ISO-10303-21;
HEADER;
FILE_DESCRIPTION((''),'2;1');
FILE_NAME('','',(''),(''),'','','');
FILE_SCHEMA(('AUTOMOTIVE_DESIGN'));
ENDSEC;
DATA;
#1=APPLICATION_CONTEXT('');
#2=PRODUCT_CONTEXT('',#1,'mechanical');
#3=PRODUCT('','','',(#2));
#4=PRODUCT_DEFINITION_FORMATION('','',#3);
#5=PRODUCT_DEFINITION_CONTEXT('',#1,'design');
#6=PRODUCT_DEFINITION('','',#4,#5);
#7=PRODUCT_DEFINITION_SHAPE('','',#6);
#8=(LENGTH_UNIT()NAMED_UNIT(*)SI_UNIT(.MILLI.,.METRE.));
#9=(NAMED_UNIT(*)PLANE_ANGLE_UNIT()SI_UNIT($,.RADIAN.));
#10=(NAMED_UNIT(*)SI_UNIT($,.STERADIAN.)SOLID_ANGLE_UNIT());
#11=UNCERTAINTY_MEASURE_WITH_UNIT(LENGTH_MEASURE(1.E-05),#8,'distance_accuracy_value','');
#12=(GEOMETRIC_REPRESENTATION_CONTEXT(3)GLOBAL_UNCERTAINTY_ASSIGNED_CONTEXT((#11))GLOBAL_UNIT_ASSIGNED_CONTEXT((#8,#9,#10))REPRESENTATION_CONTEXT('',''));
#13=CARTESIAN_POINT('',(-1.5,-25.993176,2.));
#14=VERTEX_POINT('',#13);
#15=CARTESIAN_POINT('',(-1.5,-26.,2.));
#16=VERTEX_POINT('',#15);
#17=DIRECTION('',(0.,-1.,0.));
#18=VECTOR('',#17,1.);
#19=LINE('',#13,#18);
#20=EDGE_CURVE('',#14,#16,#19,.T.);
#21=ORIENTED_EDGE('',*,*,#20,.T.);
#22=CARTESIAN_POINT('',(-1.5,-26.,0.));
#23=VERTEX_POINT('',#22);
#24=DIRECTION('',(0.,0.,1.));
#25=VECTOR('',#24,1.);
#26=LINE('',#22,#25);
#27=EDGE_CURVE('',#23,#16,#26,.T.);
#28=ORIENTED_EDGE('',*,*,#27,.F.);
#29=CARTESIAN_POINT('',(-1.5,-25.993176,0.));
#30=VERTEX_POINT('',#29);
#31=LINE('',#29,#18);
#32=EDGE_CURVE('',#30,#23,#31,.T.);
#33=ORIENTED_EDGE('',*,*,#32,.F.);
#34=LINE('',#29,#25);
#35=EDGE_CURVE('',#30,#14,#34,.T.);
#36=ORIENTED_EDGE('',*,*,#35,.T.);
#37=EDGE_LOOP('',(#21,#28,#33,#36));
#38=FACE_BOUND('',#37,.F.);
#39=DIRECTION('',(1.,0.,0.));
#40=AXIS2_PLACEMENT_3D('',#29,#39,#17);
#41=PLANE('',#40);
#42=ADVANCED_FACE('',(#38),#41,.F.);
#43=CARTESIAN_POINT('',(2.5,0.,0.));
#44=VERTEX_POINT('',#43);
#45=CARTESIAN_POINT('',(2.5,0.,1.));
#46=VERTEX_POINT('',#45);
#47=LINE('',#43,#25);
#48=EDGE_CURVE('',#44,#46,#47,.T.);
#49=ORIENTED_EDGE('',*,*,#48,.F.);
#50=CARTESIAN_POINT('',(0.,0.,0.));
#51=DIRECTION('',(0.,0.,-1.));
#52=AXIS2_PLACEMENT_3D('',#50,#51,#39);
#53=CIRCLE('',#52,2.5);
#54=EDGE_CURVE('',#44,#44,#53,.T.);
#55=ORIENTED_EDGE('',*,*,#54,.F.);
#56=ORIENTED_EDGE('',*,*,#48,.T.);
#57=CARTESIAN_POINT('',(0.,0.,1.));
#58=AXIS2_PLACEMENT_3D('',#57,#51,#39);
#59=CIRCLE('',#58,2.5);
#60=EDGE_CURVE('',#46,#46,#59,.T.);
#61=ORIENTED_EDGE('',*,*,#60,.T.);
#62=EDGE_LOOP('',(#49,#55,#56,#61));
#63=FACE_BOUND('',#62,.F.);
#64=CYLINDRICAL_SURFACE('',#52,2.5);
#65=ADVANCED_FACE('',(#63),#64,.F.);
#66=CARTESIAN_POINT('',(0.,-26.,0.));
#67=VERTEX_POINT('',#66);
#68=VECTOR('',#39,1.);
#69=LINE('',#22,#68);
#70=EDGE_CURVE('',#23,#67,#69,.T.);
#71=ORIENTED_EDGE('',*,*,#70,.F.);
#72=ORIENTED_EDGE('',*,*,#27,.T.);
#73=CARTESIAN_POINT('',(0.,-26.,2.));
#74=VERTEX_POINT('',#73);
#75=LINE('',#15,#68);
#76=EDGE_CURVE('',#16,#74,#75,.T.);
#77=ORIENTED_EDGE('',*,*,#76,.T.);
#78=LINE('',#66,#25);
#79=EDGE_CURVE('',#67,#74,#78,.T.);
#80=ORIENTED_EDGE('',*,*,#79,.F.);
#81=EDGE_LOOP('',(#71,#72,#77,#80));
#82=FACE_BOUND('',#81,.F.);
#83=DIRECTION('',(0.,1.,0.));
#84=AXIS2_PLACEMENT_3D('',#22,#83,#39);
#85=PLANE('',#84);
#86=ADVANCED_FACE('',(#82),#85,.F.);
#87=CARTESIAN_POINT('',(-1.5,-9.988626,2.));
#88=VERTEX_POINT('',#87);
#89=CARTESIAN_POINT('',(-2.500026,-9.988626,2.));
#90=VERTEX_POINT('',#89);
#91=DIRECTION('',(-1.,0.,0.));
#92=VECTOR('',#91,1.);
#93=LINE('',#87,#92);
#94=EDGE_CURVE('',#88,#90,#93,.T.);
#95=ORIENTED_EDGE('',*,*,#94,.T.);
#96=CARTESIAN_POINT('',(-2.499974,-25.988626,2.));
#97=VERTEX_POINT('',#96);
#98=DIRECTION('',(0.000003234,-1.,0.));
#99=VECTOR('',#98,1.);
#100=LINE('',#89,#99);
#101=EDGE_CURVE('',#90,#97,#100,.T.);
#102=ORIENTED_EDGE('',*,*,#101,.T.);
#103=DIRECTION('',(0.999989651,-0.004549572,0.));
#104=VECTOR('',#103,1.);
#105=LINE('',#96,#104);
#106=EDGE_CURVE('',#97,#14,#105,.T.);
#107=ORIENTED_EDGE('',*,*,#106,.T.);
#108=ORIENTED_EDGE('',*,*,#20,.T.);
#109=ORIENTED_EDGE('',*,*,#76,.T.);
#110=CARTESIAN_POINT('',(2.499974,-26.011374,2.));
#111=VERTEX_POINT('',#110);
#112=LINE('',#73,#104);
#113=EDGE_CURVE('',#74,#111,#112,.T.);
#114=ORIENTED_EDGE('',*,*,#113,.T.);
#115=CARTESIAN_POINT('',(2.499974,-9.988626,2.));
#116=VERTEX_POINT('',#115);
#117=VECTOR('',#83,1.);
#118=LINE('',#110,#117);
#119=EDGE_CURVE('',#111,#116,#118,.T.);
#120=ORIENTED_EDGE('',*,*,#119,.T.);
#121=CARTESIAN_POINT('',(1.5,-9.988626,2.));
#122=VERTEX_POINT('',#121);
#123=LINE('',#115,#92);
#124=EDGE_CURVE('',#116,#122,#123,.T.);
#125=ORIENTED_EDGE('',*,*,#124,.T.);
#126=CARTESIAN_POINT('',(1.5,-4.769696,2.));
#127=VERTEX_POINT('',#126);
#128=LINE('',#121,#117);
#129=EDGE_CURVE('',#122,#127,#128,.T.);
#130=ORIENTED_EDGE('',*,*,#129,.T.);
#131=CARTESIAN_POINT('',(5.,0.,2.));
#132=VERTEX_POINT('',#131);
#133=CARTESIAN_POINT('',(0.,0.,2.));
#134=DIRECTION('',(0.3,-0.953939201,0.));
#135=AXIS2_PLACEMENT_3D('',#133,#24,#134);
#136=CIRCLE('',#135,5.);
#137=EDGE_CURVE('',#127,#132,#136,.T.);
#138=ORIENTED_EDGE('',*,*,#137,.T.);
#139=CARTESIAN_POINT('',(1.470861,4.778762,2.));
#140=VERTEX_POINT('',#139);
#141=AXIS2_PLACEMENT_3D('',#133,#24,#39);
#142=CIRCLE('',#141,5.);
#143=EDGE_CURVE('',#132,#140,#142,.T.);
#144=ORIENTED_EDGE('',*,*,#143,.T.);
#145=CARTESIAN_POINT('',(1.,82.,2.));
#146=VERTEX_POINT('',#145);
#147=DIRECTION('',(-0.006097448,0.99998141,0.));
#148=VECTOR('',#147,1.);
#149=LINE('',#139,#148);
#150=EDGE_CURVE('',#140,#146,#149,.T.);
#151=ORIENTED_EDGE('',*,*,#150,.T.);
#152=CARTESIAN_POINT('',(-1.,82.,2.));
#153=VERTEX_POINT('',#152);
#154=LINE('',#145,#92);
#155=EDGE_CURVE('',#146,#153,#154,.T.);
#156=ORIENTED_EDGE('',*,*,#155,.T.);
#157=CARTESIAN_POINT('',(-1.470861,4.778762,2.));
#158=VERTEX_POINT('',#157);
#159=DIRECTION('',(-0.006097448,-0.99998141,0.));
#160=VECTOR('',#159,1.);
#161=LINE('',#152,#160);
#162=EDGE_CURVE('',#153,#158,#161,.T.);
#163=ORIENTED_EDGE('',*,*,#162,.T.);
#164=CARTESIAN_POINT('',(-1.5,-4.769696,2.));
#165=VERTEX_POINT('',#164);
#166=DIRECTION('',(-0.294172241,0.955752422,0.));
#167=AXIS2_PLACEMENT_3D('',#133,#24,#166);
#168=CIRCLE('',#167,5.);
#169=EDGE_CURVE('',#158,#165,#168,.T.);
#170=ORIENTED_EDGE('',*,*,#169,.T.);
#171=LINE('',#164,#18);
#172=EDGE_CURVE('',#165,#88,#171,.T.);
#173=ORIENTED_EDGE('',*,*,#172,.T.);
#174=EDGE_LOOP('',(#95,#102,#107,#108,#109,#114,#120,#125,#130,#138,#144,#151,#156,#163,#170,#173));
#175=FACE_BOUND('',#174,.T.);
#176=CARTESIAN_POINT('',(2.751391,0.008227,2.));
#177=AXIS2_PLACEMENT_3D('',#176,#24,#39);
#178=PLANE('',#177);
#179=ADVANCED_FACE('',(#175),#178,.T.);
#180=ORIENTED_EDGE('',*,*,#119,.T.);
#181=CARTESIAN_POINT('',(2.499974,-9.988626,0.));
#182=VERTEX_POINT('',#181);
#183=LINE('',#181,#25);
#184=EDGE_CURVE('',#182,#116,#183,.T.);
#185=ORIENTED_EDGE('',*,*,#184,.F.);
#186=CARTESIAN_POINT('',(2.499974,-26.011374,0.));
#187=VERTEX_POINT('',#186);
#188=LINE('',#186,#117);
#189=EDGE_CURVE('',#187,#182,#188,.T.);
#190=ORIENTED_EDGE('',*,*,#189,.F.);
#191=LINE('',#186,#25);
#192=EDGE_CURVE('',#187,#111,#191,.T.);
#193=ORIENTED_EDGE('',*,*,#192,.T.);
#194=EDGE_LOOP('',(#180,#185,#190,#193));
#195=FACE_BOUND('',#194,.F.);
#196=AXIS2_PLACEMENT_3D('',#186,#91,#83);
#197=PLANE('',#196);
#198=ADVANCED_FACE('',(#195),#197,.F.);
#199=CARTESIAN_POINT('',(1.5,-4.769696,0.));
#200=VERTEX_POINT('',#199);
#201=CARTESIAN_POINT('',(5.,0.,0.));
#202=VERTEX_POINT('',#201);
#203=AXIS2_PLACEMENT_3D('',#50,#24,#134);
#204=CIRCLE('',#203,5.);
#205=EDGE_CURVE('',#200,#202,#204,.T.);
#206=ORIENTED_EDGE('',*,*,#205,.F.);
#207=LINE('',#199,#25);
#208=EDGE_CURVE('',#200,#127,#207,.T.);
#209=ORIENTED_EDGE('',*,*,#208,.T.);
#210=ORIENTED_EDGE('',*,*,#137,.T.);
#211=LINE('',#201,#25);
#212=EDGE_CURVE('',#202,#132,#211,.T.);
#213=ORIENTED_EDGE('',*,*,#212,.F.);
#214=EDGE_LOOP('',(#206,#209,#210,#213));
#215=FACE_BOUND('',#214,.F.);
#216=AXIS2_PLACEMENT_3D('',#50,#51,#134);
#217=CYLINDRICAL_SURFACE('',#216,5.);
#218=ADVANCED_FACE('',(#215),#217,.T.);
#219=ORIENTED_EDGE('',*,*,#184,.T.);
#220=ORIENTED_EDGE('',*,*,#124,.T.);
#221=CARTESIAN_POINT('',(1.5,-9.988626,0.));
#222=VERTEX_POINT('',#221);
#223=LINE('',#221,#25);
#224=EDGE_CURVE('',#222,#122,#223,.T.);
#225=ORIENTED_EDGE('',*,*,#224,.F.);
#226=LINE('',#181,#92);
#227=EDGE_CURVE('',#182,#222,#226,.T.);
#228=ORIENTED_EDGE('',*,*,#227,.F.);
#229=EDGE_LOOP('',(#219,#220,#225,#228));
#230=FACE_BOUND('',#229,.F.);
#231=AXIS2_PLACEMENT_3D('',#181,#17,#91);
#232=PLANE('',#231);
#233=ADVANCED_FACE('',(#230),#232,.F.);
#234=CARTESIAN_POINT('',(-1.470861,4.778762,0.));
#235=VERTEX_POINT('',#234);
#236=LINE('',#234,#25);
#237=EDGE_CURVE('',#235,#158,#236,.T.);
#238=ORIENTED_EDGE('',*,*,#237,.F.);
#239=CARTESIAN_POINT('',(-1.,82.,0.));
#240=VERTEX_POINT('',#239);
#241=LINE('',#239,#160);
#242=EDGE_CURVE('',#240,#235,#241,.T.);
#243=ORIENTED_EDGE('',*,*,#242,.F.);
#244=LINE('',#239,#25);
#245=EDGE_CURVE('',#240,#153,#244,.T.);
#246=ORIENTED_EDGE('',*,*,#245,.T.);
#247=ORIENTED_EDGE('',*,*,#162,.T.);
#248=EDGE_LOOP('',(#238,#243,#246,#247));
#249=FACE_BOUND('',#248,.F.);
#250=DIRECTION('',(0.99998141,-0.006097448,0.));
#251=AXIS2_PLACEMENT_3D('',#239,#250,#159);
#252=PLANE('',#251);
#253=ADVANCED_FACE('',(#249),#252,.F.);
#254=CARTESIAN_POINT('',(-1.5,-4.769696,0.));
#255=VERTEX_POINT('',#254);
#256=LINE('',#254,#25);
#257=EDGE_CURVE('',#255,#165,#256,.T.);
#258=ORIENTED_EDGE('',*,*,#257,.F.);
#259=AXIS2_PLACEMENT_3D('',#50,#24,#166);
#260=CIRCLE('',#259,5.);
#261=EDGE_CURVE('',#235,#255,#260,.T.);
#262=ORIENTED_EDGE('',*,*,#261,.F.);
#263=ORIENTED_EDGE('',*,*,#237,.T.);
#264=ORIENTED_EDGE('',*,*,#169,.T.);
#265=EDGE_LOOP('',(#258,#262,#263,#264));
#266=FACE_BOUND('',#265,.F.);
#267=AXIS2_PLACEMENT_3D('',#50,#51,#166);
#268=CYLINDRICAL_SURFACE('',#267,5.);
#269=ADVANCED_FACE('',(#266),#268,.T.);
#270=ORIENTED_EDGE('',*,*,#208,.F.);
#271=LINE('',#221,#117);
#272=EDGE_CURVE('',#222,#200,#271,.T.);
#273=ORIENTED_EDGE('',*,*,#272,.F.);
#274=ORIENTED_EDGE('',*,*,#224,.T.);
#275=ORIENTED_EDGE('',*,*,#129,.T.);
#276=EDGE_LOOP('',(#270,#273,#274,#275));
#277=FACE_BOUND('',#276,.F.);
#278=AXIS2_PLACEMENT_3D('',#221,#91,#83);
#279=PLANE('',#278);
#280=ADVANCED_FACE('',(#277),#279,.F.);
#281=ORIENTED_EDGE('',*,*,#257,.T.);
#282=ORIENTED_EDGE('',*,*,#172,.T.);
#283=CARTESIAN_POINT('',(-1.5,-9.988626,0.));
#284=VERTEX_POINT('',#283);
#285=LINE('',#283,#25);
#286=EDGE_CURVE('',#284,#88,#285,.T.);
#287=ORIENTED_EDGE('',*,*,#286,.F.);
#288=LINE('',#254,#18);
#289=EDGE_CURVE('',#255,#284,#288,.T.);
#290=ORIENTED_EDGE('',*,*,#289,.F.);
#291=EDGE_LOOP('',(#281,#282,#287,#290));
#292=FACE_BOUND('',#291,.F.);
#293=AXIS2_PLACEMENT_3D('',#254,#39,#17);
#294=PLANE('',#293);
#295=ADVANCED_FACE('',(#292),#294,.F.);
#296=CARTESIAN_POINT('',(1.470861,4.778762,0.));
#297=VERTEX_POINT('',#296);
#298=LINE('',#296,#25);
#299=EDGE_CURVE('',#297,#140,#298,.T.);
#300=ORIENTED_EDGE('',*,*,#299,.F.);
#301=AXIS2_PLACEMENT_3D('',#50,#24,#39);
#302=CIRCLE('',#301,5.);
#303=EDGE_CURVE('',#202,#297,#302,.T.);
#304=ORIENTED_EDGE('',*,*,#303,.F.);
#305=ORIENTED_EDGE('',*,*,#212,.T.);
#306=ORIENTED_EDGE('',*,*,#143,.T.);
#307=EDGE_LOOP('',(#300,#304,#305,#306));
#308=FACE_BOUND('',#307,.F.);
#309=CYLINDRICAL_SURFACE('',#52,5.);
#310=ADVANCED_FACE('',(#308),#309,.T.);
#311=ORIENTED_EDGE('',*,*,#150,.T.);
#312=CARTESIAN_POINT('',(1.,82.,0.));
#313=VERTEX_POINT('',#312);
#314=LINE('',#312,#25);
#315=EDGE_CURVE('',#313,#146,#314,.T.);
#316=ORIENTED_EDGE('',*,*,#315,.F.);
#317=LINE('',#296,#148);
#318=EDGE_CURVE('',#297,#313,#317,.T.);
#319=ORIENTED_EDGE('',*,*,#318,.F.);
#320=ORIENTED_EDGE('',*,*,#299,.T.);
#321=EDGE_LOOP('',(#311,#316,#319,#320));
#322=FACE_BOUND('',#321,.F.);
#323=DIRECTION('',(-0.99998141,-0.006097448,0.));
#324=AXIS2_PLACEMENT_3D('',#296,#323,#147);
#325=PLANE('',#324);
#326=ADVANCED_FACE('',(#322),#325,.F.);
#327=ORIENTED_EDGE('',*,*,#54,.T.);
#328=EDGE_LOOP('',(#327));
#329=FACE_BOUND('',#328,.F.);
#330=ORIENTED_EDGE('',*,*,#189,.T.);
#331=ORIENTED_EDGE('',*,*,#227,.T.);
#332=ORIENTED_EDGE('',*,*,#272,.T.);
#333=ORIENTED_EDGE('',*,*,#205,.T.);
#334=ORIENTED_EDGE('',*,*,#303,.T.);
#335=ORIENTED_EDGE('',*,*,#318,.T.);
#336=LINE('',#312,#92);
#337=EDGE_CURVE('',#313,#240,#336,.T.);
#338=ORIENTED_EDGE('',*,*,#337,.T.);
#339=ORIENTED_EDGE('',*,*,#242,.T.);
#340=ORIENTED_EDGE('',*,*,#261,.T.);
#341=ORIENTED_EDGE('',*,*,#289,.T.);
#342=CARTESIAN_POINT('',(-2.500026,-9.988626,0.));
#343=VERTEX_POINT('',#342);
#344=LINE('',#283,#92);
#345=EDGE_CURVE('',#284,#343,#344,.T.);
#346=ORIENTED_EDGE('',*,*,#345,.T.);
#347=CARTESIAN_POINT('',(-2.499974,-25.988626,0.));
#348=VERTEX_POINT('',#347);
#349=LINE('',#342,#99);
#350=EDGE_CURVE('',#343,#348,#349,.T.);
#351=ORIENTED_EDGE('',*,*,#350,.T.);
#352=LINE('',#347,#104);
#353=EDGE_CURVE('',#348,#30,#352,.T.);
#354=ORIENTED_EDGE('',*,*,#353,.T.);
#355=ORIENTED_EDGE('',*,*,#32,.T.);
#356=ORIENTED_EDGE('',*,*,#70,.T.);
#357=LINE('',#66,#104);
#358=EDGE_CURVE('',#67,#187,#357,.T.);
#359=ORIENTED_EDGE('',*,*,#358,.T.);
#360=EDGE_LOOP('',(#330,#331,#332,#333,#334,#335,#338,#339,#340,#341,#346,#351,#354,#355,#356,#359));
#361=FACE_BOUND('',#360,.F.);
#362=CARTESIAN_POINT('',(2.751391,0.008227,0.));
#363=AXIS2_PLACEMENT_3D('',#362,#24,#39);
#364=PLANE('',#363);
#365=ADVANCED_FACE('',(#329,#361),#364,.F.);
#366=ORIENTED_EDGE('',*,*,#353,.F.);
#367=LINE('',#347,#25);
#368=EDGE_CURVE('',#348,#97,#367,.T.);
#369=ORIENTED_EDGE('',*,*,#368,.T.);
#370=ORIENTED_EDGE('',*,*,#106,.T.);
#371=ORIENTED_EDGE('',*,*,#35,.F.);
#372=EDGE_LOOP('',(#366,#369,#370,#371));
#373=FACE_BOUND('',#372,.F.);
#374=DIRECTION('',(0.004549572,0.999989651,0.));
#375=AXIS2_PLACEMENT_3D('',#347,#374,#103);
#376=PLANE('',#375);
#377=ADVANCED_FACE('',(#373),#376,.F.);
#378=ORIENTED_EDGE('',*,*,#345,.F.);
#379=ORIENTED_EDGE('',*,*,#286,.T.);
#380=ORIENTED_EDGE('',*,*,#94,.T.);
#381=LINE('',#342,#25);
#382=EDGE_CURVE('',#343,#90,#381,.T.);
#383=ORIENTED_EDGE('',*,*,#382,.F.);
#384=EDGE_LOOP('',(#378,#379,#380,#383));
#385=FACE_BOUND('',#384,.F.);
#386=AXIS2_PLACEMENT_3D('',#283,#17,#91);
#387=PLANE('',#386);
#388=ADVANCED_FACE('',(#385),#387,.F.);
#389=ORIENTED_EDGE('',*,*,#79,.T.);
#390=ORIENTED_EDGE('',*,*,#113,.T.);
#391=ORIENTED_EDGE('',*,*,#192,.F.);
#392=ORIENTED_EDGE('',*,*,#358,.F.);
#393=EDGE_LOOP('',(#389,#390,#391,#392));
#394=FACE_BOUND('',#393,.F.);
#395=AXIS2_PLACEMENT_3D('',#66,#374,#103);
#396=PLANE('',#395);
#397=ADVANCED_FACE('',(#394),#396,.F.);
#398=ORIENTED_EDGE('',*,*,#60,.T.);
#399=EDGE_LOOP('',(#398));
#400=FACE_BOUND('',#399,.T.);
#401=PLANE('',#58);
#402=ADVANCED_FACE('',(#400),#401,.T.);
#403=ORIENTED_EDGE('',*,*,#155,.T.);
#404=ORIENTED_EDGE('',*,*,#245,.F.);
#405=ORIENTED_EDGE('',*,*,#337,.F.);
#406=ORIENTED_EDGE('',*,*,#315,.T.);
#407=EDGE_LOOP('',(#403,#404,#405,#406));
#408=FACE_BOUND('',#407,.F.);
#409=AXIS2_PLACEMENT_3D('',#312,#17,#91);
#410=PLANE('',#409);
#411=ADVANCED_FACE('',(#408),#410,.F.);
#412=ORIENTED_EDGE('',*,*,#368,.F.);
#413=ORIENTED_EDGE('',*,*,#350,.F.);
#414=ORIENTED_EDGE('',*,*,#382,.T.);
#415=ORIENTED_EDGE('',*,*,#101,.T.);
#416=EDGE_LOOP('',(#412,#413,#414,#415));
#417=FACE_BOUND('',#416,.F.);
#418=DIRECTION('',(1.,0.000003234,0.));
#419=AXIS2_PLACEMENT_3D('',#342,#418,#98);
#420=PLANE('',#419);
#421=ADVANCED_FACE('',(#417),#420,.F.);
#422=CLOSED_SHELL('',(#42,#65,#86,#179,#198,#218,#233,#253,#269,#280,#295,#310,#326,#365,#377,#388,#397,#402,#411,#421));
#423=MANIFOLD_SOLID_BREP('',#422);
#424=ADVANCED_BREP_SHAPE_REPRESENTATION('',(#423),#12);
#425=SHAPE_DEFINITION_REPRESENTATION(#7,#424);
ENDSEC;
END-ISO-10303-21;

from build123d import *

# Parameters (mm, degrees)
F1_DEPTH = 2
F2_R     = 2.5
F4_DEPTH = 1


with BuildPart() as f1:
    # F0 (on Top) → F1 (new body)
    with BuildSketch(Plane.XY):
        with BuildLine():
            ThreePointArc((1.5, -4.7696960071), (4.0311288741, -2.9580398915), (5, 0))
            ThreePointArc((5, 0), (4.0220831688, 2.9703277569), (1.4708612066, 4.7787621107))
            Line((1.4708612066, 4.7787621107), (1.5, 0))
            Line((1.5, 0), (1.5, -4.7696960071))
        make_face()
        with BuildLine():
            Line((1.5, 0), (1.4708612066, 4.7787621107))
            ThreePointArc((1.4708612066, 4.7787621107), (0.7437033839, 4.9443811824), (0, 5))
            Line((0, 5), (0, 0))
            Line((0, 0), (1.5, 0))
        make_face()
        with BuildLine():
            ThreePointArc((0, 5), (0.7437033839, 4.9443811824), (1.4708612066, 4.7787621107))
            Line((1.4708612066, 4.7787621107), (1, 82))
            Line((1, 82), (0, 82))
            Line((0, 82), (0, 5))
        make_face()
        with BuildLine():
            Line((1.5, -9.9886260709), (1.5, -4.7696960071))
            ThreePointArc((1.5, -4.7696960071), (0, -5), (-1.5, -4.7696960071))
            Line((-1.5, -4.7696960071), (-1.5, -9.9886260709))
            Line((-1.5, -9.9886260709), (1.5, -9.9886260709))
        make_face()
        with BuildLine():
            ThreePointArc((-1.5, -4.7696960071), (0, -5), (1.5, -4.7696960071))
            Line((1.5, -4.7696960071), (1.5, 0))
            Line((1.5, 0), (0, 0))
            Line((0, 0), (-1.5, 0))
            Line((-1.5, 0), (-1.5, -4.7696960071))
        make_face()
        with BuildLine():
            Line((0, 0), (0, 5))
            ThreePointArc((0, 5), (-0.7437033839, 4.9443811824), (-1.4708612066, 4.7787621107))
            Line((-1.4708612066, 4.7787621107), (-1.5, 0))
            Line((-1.5, 0), (0, 0))
        make_face()
        with BuildLine():
            ThreePointArc((-1.4708612066, 4.7787621107), (-0.7437033839, 4.9443811824), (0, 5))
            Line((0, 5), (0, 82))
            Line((0, 82), (-1, 82))
            Line((-1, 82), (-1.4708612066, 4.7787621107))
        make_face()
        with BuildLine():
            ThreePointArc((-1.4708612066, 4.7787621107), (-4.9999767184, 0.0152583052), (-1.5, -4.7696960071))
            Line((-1.5, -4.7696960071), (-1.5, 0))
            Line((-1.5, 0), (-1.4708612066, 4.7787621107))
        make_face()
        Polygon((2.4999741266, -9.9886260709), (1.5, -9.9886260709), (1.5, -26), (0, -26), (2.4999741266, -26.0113739292), align=None)
        Polygon((1.5, -26), (1.5, -9.9886260709), (-1.5, -9.9886260709), (-1.5, -25.9931755719), (0, -26), align=None)
        Polygon((-1.5, -25.9931755719), (-1.5, -9.9886260709), (-2.5000258734, -9.9886260709), (-2.4999741266, -25.9886260708), align=None)
        Polygon((0, -26), (-1.5, -25.9931755719), (-1.5, -26), align=None)
    extrude(amount=F1_DEPTH)

    # F2 (on face) → F4 (cut)
    with BuildSketch(Plane(origin=(0, 0, 0), x_dir=(1, 0, 0), z_dir=(0, 0, -1))):
        Circle(F2_R)
    extrude(amount=-F4_DEPTH, mode=Mode.SUBTRACT)


solid = f1.part
